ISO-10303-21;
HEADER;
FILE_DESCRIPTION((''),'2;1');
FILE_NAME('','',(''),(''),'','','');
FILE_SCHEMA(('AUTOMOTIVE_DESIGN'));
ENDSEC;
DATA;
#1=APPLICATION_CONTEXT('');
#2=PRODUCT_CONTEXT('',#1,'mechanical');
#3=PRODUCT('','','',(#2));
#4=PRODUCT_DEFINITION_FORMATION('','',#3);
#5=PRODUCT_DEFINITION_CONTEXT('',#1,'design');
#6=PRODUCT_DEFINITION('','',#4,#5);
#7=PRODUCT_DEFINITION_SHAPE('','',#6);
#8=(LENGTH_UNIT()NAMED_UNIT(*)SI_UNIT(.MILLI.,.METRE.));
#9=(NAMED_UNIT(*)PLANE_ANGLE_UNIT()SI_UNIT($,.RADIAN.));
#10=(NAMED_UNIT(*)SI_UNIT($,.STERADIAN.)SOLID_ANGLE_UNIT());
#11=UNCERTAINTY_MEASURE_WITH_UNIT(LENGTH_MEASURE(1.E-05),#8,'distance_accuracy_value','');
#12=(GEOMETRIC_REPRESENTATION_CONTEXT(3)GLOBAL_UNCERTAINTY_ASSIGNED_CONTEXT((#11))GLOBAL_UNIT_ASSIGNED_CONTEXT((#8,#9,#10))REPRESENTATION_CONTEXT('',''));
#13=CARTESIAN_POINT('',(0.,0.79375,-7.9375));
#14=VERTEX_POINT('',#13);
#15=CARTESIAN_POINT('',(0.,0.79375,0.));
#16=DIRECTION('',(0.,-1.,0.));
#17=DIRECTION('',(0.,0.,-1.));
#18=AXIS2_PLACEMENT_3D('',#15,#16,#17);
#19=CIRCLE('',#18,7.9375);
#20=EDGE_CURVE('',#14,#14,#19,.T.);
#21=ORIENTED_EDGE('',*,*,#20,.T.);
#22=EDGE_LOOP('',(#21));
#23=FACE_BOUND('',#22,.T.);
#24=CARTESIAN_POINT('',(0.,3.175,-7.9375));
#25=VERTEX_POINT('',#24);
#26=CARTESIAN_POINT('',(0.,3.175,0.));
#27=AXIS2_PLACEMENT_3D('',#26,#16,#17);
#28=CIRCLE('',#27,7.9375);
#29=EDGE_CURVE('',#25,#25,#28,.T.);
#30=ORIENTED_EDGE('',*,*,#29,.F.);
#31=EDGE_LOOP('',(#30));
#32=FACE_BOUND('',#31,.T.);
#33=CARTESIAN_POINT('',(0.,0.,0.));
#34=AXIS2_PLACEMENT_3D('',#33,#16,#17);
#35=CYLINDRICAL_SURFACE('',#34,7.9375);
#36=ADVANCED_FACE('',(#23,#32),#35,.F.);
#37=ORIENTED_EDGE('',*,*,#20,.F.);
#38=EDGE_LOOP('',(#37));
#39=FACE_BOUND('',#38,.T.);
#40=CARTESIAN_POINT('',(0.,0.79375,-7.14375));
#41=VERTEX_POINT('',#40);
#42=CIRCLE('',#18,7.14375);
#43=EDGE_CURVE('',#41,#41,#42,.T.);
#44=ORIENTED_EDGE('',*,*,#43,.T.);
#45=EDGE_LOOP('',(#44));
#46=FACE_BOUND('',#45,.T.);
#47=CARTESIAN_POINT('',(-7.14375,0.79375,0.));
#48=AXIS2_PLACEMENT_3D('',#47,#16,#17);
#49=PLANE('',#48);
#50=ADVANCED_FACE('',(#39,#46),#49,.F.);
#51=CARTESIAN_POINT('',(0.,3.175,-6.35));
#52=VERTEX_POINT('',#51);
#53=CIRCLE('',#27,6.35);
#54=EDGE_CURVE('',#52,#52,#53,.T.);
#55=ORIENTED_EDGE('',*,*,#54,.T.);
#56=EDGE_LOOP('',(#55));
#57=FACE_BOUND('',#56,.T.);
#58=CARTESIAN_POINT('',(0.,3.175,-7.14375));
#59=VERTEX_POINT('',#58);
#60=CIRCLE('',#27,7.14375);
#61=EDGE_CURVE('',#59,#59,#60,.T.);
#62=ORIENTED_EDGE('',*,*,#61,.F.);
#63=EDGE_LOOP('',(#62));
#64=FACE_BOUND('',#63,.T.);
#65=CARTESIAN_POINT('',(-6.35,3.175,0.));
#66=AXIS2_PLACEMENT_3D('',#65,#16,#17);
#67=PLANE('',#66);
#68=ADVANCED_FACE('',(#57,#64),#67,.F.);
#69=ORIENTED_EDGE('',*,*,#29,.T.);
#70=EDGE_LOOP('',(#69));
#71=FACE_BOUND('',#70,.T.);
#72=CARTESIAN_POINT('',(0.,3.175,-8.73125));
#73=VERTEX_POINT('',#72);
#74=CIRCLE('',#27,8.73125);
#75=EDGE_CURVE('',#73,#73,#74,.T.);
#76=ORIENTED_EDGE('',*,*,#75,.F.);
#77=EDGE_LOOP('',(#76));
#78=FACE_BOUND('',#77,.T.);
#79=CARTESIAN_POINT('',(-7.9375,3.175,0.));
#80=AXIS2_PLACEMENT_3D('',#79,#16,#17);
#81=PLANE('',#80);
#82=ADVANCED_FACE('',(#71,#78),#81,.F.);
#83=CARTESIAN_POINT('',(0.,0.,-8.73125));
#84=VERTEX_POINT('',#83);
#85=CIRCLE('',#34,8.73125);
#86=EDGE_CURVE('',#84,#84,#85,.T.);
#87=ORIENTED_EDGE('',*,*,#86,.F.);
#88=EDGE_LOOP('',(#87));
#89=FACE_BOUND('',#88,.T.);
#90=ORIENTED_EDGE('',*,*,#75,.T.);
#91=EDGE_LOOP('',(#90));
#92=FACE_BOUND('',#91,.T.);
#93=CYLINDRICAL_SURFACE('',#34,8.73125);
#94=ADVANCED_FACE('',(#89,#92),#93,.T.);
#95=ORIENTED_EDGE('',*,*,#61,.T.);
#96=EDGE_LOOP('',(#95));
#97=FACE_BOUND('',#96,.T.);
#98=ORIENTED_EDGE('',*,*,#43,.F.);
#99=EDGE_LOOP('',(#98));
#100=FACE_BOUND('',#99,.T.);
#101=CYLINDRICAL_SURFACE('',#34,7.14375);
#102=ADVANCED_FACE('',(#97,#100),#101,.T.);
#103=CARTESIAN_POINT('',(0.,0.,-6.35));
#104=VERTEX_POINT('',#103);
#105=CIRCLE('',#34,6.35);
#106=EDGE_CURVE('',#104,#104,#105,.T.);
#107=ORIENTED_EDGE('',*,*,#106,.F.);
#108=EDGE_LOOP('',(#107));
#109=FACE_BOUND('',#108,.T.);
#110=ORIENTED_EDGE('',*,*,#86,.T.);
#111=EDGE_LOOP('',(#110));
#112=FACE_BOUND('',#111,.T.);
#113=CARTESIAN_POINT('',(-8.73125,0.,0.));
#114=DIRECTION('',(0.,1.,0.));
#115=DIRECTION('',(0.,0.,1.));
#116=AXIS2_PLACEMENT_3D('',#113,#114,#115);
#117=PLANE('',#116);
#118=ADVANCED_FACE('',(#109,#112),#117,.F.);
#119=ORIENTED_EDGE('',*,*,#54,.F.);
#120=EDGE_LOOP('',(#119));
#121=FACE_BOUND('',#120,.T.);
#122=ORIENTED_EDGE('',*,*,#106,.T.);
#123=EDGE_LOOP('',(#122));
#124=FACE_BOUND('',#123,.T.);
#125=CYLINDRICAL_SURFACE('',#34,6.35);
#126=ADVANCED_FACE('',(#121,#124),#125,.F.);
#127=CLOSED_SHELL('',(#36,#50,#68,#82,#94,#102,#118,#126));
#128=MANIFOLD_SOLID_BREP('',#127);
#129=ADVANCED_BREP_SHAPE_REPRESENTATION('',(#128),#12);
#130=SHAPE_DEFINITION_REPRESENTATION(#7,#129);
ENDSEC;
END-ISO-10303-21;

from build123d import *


with BuildPart() as part:
    # Sketch1 → Revolve1 (revolve)
    with BuildSketch(Plane.XY):
        Polygon((-8.73125, 3.175), (-8.73125, 0), (-6.35, 0), (-6.35, 3.175), (-7.14375, 3.175), (-7.14375, 0.79375), (-7.9375, 0.79375), (-7.9375, 3.175), align=None)
    revolve(axis=Axis((0, 0, 0), (0, 1, 0)))


solid = part.part
